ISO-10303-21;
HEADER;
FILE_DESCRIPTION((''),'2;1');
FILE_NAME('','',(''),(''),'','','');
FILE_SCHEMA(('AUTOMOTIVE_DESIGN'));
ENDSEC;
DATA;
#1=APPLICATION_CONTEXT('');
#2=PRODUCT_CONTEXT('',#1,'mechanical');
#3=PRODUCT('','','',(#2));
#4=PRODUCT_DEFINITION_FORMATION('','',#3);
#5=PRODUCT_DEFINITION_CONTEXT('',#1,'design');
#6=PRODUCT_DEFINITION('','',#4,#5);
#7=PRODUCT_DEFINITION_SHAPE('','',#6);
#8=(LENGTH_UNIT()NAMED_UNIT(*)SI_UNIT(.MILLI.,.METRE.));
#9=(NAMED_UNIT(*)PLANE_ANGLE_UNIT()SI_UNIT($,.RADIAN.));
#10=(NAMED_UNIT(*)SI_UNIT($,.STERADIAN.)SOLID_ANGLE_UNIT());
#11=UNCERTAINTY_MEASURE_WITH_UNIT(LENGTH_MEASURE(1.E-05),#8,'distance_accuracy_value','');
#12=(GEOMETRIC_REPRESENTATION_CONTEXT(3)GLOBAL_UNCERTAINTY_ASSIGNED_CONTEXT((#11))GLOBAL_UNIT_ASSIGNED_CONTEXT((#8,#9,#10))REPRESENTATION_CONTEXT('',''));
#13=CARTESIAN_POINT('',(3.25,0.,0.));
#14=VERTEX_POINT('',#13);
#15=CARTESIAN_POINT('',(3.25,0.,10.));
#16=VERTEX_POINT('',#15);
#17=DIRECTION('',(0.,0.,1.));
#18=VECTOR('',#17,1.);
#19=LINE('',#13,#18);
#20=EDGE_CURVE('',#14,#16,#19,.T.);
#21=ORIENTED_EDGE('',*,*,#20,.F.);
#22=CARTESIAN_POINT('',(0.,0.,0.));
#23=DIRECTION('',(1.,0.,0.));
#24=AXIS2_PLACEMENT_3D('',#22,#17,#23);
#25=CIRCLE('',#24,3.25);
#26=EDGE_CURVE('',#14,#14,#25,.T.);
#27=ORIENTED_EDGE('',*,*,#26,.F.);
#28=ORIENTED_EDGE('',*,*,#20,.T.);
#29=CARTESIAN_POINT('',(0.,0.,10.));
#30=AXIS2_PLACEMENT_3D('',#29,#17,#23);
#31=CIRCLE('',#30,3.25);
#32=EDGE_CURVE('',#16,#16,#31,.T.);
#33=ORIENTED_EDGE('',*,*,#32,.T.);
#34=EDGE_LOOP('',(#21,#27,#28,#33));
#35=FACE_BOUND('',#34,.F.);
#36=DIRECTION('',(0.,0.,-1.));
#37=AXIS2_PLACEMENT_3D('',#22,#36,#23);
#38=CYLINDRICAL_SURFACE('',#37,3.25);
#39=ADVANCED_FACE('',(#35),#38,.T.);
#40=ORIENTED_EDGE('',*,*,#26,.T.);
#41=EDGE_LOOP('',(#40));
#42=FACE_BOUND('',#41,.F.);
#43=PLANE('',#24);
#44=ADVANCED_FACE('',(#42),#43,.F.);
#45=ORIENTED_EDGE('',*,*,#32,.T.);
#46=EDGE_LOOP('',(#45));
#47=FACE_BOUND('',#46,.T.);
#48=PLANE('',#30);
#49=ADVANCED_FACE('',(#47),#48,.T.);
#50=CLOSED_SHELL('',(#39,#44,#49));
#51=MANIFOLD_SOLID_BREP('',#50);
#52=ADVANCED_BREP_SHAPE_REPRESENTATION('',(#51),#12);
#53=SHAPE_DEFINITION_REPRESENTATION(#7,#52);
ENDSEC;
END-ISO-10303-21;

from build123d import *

# Parameters (mm, degrees)
SKETCH_R  = 3.25
PAD_DEPTH = 10


with BuildPart() as part:
    # Sketch → Pad (new body)
    with BuildSketch(Plane.XY):
        Circle(SKETCH_R)
    extrude(amount=PAD_DEPTH)


solid = part.part
